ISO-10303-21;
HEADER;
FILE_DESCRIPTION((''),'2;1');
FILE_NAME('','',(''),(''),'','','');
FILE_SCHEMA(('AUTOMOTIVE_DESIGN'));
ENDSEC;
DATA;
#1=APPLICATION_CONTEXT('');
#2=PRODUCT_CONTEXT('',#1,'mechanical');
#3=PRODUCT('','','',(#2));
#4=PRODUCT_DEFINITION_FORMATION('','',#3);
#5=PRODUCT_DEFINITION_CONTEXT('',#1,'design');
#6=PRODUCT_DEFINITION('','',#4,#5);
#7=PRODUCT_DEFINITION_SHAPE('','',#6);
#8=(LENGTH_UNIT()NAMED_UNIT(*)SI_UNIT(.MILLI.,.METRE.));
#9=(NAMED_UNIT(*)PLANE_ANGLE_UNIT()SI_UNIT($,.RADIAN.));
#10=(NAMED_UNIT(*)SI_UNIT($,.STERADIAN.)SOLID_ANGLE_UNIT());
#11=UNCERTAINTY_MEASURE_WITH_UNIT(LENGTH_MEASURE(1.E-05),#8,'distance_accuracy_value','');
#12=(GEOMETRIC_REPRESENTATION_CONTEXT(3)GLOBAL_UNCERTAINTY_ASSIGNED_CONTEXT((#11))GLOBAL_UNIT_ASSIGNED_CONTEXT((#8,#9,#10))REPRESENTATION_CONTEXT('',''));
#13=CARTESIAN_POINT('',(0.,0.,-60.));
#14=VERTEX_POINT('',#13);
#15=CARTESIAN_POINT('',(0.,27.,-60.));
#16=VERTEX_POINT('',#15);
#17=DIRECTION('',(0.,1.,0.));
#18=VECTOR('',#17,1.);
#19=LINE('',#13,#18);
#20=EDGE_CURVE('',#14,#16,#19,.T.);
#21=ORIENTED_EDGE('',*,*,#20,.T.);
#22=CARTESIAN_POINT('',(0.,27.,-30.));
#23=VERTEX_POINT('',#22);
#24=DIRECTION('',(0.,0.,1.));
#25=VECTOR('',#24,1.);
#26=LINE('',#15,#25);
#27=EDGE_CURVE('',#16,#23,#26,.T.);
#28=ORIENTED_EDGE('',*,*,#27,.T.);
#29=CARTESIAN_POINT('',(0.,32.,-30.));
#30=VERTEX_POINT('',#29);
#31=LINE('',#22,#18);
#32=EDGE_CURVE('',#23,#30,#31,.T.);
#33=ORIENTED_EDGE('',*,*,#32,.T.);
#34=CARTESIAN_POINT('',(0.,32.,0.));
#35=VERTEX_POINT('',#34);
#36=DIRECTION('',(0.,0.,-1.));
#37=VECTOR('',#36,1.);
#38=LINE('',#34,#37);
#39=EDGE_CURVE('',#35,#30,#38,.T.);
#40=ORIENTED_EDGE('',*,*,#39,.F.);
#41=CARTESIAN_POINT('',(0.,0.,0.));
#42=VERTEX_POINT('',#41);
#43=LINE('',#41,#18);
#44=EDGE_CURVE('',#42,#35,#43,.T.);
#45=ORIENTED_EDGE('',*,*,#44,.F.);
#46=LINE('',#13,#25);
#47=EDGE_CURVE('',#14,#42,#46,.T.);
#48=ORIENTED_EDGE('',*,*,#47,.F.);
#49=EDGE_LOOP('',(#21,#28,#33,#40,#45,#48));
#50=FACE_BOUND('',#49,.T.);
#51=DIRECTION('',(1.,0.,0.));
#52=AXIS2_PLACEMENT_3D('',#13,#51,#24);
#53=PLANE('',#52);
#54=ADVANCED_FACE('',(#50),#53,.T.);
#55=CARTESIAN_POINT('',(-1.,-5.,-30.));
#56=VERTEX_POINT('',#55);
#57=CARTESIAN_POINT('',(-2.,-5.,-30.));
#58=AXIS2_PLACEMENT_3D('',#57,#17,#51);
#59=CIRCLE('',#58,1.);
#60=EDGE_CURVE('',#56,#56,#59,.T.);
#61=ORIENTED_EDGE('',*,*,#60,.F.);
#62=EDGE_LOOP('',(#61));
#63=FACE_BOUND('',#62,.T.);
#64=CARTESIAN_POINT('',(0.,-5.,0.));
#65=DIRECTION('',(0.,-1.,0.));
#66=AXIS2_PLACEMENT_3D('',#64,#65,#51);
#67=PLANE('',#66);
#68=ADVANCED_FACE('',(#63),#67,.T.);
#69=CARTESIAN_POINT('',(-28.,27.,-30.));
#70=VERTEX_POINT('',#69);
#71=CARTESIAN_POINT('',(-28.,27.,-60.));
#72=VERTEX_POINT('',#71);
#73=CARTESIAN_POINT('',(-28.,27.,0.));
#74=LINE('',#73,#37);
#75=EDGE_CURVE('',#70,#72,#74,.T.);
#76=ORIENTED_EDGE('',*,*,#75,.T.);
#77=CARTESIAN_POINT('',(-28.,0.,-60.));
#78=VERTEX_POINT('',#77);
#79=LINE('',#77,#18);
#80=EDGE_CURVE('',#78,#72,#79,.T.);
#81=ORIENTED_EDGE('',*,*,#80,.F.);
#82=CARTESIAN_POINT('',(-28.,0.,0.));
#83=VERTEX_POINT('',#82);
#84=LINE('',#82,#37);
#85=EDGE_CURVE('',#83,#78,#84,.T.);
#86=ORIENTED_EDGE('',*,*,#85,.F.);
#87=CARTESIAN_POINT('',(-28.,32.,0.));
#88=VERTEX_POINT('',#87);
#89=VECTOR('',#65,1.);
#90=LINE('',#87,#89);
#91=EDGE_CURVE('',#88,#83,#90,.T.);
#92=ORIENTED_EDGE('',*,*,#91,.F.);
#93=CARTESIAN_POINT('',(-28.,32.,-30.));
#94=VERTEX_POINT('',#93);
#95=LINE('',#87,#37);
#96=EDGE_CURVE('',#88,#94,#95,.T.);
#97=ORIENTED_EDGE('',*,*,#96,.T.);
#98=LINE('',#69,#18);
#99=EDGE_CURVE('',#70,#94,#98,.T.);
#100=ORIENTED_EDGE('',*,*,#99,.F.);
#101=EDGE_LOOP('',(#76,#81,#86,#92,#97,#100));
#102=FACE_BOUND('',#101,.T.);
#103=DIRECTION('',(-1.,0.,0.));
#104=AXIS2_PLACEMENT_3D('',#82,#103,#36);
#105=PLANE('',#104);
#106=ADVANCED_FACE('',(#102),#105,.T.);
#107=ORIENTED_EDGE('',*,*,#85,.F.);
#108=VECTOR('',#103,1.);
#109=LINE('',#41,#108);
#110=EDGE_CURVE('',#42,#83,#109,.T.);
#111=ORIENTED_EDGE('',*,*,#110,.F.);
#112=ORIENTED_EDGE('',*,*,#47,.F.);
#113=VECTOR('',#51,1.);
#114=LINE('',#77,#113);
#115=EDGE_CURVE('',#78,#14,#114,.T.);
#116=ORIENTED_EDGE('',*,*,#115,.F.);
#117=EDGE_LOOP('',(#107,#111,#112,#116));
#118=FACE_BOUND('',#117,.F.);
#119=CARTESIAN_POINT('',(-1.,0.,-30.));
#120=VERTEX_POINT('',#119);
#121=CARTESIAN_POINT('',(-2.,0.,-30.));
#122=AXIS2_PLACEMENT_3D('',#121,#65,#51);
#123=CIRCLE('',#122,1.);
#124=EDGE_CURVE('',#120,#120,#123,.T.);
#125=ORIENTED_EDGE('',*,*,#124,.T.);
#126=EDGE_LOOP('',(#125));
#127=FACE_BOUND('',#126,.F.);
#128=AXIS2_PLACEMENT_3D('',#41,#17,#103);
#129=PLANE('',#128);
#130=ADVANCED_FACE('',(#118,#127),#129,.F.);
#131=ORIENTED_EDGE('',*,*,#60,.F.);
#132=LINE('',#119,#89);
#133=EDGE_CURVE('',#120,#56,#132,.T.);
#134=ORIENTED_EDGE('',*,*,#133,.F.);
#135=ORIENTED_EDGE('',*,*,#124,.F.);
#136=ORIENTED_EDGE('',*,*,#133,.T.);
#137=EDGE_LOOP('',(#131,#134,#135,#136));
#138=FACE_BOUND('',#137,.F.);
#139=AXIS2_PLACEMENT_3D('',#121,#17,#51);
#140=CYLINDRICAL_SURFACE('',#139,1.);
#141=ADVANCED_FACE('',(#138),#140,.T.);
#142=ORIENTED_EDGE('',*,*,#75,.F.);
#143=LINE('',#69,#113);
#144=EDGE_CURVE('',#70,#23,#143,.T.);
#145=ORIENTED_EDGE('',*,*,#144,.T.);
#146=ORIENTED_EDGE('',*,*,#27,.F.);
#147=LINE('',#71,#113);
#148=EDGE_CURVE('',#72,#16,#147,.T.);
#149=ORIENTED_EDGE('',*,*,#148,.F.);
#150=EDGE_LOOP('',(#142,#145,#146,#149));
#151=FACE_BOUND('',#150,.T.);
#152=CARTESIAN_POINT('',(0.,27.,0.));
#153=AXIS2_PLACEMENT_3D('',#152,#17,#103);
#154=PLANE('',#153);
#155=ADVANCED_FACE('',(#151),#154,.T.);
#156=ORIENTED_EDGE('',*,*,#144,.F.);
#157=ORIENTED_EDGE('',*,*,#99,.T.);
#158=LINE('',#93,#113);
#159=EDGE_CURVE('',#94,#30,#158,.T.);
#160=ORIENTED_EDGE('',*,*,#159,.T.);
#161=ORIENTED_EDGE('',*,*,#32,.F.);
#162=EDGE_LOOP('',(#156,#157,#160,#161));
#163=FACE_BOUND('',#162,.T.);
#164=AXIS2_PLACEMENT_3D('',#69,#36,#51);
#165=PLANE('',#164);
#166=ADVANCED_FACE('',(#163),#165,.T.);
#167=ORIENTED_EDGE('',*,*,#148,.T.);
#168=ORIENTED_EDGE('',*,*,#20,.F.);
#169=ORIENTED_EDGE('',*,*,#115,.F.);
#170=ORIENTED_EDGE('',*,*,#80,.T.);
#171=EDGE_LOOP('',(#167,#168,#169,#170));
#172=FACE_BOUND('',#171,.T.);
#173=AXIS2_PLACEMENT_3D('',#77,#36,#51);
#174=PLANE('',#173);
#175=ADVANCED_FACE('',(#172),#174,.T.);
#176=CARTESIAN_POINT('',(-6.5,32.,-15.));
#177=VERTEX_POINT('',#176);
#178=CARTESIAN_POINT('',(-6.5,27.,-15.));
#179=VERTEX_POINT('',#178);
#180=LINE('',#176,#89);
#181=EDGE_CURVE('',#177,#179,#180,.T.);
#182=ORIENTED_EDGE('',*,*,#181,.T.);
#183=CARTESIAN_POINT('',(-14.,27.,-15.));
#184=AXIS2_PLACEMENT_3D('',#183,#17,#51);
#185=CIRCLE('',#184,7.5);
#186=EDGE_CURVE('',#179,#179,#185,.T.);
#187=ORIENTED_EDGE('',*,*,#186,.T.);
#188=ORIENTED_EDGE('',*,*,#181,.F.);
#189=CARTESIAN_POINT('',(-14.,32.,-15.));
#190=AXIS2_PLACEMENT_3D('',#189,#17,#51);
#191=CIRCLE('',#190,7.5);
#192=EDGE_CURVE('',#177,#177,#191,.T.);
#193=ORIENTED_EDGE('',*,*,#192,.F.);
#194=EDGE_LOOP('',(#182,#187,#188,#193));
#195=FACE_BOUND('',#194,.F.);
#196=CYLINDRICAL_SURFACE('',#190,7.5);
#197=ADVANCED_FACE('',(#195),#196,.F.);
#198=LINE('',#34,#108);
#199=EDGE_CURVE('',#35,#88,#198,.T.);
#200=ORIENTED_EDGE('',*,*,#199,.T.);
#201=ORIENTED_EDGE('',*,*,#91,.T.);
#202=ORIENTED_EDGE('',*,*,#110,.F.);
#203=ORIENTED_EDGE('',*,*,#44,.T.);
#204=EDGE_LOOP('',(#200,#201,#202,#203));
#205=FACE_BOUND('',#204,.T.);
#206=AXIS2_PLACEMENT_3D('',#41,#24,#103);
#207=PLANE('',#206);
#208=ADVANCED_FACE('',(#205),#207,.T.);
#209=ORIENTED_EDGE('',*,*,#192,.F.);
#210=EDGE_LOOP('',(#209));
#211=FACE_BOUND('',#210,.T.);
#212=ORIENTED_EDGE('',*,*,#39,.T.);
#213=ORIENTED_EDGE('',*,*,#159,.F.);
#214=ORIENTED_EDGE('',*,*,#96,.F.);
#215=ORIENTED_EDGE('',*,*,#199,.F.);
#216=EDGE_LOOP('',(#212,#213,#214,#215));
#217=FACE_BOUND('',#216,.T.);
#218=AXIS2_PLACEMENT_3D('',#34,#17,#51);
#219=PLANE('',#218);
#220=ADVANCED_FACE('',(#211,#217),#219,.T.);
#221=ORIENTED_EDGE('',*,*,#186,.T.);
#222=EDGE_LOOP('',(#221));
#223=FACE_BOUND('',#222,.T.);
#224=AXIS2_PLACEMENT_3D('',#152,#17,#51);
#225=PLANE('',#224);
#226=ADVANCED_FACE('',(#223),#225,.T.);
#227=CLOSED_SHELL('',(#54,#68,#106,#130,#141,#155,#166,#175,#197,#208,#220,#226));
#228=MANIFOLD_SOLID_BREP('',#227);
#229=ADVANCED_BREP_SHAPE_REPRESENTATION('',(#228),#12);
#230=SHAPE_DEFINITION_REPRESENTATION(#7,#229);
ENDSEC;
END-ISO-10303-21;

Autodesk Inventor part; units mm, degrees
ref_plane "YZ Plane" through (0, 0, 0) normal (1, 0, 0) x (0, 1, 0)
ref_plane "XZ Plane" through (0, 0, 0) normal (0, 1, 0) x (-1, 0, 0)
ref_plane "XY Plane" through (0, 0, 0) normal (0, 0, 1) x (1, 0, 0)
sketch "Sketch1" plane through (0, 0, 0) normal (0, 1, 0) x (-1, 0, 0)
  line L0 (0, 0) -> (28, 0)
  line L1 (28, 0) -> (28, -60)
  line L2 (28, -60) -> (0, -60)
  line L3 (0, -60) -> (0, 0)
  dimension "d0" = 60
  dimension "d1" = 28
extrude "Extrusion1" add sketch "Sketch1" along normal blind 27
sketch "Sketch2" plane through (0, 27, 0) normal (0, 1, 0) x (1, 0, 0)
  line L0 (0, 0) -> (0, 60) projected
  line L1 (0, 0) -> (-28, 0)
  line L2 (-28, 0) -> (-28, 30)
  line L3 (-28, 30) -> (0, 30)
  line L4 (0, 30) -> (0, 0)
  line L5 (-28, 60) -> (-28, 0) projected
  dimension "d4" = 30
extrude "Extrusion2" add sketch "Sketch2" along normal blind 5
sketch "Sketch3" plane through (0, 32, 0) normal (0, 1, 0) x (1, 0, 0)
  circle A0 centre (-14, 15) radius 7.5
  line L0 (0, 30) -> (-28, 30) construction
  line L1 (-28, 0) -> (0, 0) construction
  line L2 (0, 0) -> (0, 30) construction
  line L3 (0, 30) -> (-28, 30) construction
  line L4 (-28, 30) -> (-28, 0) construction
  line L5 (-28, 0) -> (0, 0) construction
  line L6 (-28, 30) -> (-28, 0) construction
  line L7 (-14, 0) -> (-14, 30) construction
  line L8 (-28, 15) -> (0, 15) construction
  line L9 (0, 60) -> (0, 0) construction
  point P0 (-14, 15)
  point P1 (-14, 15)
  dimension "d7" = 15
extrude "Extrusion3" cut sketch "Sketch3" against normal blind 5
sketch "Sketch4" plane through (0, 0, 0) normal (0, -1, 0) x (1, 0, 0)
  circle A0 centre (-2, -30) radius 1
  line L0 (0, -60) -> (0, 0) projected
  line L1 (0, -30) -> (0, -60) projected
  line L2 (0, -30) -> (-52.148, -30)
  line L3 (0, -30) -> (-28, -30) projected
  dimension "d10" = 2
  dimension "d11" = 2
extrude "Extrusion4" add sketch "Sketch4" along normal blind 5
sketch "Sketch5" plane through (-2, -5, -30) normal (0, -1, 0) x (1, 0, 0)
  circle A0 centre (0, 0) radius 1 projected
  point P0 (2, 30)
properties part number "camera"
